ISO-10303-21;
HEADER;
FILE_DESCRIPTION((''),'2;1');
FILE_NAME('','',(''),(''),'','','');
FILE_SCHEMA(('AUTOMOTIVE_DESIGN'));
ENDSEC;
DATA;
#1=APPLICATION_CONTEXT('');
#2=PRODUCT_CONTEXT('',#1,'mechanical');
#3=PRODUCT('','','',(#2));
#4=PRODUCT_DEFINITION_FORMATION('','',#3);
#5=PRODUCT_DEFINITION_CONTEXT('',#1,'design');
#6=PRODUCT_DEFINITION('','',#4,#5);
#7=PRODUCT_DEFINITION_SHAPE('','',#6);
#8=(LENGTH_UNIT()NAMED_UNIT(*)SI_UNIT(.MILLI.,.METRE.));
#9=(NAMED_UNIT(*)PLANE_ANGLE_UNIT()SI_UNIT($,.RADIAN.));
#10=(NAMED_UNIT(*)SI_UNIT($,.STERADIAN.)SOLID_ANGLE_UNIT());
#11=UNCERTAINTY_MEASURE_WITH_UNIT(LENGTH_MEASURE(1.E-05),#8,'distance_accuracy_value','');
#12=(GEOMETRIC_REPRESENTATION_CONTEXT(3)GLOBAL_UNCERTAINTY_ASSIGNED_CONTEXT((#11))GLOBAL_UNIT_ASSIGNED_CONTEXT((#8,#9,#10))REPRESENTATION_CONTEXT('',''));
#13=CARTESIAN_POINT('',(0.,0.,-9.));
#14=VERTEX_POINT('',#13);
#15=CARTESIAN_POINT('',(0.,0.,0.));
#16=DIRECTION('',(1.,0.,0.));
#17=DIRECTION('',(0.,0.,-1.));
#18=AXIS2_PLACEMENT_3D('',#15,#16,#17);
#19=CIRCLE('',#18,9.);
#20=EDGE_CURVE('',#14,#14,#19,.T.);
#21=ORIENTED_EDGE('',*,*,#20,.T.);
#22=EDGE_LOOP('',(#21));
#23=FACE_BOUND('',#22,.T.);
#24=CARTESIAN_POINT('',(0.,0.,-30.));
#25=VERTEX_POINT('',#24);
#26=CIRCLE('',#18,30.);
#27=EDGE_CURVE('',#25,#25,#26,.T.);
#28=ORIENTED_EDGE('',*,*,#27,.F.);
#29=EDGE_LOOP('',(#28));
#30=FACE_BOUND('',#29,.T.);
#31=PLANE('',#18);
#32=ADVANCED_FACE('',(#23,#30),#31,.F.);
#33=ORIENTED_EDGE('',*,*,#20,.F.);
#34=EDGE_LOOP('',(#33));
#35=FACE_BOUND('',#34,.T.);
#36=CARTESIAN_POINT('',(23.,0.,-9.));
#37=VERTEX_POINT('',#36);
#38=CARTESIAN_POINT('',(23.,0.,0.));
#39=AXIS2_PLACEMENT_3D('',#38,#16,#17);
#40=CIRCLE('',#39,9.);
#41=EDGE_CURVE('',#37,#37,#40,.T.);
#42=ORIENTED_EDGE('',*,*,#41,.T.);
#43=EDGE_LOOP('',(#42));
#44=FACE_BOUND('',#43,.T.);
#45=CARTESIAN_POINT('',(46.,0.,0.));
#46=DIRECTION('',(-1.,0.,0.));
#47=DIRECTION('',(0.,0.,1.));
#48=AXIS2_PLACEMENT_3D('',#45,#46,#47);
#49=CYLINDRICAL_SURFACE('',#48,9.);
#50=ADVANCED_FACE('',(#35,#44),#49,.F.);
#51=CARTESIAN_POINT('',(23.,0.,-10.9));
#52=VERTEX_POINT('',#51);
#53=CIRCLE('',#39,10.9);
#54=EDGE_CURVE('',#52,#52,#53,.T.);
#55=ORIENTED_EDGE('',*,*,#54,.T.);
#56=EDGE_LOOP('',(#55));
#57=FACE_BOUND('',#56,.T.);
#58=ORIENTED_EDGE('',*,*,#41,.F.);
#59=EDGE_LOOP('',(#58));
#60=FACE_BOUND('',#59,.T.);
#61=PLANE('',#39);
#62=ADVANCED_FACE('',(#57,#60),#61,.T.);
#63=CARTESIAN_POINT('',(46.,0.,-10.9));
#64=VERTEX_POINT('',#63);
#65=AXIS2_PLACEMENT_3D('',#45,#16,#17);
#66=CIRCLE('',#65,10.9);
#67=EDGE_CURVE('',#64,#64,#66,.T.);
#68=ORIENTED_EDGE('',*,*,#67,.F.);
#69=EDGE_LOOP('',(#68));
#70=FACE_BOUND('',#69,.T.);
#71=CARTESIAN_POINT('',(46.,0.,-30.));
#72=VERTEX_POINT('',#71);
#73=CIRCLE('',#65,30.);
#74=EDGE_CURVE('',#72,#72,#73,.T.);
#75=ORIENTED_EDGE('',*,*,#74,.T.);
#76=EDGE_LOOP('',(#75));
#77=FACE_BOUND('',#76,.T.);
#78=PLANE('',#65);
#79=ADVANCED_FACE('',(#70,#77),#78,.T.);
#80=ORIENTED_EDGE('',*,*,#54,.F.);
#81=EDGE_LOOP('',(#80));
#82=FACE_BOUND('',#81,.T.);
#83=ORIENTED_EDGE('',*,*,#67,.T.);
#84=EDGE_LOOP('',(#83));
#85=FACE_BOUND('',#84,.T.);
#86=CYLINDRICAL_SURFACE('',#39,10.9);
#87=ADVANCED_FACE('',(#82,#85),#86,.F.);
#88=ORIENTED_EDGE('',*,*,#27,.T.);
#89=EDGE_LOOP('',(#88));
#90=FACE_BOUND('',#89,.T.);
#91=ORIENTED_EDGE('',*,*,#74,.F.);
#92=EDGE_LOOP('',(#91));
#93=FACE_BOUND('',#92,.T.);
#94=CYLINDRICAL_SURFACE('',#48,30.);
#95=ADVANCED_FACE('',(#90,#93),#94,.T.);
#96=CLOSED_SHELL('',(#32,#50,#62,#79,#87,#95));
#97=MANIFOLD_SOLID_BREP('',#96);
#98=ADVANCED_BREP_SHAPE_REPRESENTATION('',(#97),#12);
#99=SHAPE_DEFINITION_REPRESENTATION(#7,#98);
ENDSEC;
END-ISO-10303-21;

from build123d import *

# Parameters (mm, degrees)
SKETCH1_R           = 30
SKETCH1_R_2         = 9
BOSS_EXTRUDE1_DEPTH = 46
SKETCH2_R           = 10.9
CUT_EXTRUDE1_DEPTH  = 23


with BuildPart() as part:
    # Sketch1 → Boss-Extrude1 (new body)
    with BuildSketch(Plane(origin=(0, 0, 0), x_dir=(0, 0, -1), z_dir=(1, 0, 0))):
        Circle(SKETCH1_R)
        Circle(SKETCH1_R_2, mode=Mode.SUBTRACT)
    extrude(amount=BOSS_EXTRUDE1_DEPTH)

    # Sketch2 → Cut-Extrude1 (cut)
    with BuildSketch(Plane(origin=(46, 0, 0), x_dir=(0, 0, -1), z_dir=(1, 0, 0))):
        Circle(SKETCH2_R)
    extrude(amount=-CUT_EXTRUDE1_DEPTH, mode=Mode.SUBTRACT)


solid = part.part
